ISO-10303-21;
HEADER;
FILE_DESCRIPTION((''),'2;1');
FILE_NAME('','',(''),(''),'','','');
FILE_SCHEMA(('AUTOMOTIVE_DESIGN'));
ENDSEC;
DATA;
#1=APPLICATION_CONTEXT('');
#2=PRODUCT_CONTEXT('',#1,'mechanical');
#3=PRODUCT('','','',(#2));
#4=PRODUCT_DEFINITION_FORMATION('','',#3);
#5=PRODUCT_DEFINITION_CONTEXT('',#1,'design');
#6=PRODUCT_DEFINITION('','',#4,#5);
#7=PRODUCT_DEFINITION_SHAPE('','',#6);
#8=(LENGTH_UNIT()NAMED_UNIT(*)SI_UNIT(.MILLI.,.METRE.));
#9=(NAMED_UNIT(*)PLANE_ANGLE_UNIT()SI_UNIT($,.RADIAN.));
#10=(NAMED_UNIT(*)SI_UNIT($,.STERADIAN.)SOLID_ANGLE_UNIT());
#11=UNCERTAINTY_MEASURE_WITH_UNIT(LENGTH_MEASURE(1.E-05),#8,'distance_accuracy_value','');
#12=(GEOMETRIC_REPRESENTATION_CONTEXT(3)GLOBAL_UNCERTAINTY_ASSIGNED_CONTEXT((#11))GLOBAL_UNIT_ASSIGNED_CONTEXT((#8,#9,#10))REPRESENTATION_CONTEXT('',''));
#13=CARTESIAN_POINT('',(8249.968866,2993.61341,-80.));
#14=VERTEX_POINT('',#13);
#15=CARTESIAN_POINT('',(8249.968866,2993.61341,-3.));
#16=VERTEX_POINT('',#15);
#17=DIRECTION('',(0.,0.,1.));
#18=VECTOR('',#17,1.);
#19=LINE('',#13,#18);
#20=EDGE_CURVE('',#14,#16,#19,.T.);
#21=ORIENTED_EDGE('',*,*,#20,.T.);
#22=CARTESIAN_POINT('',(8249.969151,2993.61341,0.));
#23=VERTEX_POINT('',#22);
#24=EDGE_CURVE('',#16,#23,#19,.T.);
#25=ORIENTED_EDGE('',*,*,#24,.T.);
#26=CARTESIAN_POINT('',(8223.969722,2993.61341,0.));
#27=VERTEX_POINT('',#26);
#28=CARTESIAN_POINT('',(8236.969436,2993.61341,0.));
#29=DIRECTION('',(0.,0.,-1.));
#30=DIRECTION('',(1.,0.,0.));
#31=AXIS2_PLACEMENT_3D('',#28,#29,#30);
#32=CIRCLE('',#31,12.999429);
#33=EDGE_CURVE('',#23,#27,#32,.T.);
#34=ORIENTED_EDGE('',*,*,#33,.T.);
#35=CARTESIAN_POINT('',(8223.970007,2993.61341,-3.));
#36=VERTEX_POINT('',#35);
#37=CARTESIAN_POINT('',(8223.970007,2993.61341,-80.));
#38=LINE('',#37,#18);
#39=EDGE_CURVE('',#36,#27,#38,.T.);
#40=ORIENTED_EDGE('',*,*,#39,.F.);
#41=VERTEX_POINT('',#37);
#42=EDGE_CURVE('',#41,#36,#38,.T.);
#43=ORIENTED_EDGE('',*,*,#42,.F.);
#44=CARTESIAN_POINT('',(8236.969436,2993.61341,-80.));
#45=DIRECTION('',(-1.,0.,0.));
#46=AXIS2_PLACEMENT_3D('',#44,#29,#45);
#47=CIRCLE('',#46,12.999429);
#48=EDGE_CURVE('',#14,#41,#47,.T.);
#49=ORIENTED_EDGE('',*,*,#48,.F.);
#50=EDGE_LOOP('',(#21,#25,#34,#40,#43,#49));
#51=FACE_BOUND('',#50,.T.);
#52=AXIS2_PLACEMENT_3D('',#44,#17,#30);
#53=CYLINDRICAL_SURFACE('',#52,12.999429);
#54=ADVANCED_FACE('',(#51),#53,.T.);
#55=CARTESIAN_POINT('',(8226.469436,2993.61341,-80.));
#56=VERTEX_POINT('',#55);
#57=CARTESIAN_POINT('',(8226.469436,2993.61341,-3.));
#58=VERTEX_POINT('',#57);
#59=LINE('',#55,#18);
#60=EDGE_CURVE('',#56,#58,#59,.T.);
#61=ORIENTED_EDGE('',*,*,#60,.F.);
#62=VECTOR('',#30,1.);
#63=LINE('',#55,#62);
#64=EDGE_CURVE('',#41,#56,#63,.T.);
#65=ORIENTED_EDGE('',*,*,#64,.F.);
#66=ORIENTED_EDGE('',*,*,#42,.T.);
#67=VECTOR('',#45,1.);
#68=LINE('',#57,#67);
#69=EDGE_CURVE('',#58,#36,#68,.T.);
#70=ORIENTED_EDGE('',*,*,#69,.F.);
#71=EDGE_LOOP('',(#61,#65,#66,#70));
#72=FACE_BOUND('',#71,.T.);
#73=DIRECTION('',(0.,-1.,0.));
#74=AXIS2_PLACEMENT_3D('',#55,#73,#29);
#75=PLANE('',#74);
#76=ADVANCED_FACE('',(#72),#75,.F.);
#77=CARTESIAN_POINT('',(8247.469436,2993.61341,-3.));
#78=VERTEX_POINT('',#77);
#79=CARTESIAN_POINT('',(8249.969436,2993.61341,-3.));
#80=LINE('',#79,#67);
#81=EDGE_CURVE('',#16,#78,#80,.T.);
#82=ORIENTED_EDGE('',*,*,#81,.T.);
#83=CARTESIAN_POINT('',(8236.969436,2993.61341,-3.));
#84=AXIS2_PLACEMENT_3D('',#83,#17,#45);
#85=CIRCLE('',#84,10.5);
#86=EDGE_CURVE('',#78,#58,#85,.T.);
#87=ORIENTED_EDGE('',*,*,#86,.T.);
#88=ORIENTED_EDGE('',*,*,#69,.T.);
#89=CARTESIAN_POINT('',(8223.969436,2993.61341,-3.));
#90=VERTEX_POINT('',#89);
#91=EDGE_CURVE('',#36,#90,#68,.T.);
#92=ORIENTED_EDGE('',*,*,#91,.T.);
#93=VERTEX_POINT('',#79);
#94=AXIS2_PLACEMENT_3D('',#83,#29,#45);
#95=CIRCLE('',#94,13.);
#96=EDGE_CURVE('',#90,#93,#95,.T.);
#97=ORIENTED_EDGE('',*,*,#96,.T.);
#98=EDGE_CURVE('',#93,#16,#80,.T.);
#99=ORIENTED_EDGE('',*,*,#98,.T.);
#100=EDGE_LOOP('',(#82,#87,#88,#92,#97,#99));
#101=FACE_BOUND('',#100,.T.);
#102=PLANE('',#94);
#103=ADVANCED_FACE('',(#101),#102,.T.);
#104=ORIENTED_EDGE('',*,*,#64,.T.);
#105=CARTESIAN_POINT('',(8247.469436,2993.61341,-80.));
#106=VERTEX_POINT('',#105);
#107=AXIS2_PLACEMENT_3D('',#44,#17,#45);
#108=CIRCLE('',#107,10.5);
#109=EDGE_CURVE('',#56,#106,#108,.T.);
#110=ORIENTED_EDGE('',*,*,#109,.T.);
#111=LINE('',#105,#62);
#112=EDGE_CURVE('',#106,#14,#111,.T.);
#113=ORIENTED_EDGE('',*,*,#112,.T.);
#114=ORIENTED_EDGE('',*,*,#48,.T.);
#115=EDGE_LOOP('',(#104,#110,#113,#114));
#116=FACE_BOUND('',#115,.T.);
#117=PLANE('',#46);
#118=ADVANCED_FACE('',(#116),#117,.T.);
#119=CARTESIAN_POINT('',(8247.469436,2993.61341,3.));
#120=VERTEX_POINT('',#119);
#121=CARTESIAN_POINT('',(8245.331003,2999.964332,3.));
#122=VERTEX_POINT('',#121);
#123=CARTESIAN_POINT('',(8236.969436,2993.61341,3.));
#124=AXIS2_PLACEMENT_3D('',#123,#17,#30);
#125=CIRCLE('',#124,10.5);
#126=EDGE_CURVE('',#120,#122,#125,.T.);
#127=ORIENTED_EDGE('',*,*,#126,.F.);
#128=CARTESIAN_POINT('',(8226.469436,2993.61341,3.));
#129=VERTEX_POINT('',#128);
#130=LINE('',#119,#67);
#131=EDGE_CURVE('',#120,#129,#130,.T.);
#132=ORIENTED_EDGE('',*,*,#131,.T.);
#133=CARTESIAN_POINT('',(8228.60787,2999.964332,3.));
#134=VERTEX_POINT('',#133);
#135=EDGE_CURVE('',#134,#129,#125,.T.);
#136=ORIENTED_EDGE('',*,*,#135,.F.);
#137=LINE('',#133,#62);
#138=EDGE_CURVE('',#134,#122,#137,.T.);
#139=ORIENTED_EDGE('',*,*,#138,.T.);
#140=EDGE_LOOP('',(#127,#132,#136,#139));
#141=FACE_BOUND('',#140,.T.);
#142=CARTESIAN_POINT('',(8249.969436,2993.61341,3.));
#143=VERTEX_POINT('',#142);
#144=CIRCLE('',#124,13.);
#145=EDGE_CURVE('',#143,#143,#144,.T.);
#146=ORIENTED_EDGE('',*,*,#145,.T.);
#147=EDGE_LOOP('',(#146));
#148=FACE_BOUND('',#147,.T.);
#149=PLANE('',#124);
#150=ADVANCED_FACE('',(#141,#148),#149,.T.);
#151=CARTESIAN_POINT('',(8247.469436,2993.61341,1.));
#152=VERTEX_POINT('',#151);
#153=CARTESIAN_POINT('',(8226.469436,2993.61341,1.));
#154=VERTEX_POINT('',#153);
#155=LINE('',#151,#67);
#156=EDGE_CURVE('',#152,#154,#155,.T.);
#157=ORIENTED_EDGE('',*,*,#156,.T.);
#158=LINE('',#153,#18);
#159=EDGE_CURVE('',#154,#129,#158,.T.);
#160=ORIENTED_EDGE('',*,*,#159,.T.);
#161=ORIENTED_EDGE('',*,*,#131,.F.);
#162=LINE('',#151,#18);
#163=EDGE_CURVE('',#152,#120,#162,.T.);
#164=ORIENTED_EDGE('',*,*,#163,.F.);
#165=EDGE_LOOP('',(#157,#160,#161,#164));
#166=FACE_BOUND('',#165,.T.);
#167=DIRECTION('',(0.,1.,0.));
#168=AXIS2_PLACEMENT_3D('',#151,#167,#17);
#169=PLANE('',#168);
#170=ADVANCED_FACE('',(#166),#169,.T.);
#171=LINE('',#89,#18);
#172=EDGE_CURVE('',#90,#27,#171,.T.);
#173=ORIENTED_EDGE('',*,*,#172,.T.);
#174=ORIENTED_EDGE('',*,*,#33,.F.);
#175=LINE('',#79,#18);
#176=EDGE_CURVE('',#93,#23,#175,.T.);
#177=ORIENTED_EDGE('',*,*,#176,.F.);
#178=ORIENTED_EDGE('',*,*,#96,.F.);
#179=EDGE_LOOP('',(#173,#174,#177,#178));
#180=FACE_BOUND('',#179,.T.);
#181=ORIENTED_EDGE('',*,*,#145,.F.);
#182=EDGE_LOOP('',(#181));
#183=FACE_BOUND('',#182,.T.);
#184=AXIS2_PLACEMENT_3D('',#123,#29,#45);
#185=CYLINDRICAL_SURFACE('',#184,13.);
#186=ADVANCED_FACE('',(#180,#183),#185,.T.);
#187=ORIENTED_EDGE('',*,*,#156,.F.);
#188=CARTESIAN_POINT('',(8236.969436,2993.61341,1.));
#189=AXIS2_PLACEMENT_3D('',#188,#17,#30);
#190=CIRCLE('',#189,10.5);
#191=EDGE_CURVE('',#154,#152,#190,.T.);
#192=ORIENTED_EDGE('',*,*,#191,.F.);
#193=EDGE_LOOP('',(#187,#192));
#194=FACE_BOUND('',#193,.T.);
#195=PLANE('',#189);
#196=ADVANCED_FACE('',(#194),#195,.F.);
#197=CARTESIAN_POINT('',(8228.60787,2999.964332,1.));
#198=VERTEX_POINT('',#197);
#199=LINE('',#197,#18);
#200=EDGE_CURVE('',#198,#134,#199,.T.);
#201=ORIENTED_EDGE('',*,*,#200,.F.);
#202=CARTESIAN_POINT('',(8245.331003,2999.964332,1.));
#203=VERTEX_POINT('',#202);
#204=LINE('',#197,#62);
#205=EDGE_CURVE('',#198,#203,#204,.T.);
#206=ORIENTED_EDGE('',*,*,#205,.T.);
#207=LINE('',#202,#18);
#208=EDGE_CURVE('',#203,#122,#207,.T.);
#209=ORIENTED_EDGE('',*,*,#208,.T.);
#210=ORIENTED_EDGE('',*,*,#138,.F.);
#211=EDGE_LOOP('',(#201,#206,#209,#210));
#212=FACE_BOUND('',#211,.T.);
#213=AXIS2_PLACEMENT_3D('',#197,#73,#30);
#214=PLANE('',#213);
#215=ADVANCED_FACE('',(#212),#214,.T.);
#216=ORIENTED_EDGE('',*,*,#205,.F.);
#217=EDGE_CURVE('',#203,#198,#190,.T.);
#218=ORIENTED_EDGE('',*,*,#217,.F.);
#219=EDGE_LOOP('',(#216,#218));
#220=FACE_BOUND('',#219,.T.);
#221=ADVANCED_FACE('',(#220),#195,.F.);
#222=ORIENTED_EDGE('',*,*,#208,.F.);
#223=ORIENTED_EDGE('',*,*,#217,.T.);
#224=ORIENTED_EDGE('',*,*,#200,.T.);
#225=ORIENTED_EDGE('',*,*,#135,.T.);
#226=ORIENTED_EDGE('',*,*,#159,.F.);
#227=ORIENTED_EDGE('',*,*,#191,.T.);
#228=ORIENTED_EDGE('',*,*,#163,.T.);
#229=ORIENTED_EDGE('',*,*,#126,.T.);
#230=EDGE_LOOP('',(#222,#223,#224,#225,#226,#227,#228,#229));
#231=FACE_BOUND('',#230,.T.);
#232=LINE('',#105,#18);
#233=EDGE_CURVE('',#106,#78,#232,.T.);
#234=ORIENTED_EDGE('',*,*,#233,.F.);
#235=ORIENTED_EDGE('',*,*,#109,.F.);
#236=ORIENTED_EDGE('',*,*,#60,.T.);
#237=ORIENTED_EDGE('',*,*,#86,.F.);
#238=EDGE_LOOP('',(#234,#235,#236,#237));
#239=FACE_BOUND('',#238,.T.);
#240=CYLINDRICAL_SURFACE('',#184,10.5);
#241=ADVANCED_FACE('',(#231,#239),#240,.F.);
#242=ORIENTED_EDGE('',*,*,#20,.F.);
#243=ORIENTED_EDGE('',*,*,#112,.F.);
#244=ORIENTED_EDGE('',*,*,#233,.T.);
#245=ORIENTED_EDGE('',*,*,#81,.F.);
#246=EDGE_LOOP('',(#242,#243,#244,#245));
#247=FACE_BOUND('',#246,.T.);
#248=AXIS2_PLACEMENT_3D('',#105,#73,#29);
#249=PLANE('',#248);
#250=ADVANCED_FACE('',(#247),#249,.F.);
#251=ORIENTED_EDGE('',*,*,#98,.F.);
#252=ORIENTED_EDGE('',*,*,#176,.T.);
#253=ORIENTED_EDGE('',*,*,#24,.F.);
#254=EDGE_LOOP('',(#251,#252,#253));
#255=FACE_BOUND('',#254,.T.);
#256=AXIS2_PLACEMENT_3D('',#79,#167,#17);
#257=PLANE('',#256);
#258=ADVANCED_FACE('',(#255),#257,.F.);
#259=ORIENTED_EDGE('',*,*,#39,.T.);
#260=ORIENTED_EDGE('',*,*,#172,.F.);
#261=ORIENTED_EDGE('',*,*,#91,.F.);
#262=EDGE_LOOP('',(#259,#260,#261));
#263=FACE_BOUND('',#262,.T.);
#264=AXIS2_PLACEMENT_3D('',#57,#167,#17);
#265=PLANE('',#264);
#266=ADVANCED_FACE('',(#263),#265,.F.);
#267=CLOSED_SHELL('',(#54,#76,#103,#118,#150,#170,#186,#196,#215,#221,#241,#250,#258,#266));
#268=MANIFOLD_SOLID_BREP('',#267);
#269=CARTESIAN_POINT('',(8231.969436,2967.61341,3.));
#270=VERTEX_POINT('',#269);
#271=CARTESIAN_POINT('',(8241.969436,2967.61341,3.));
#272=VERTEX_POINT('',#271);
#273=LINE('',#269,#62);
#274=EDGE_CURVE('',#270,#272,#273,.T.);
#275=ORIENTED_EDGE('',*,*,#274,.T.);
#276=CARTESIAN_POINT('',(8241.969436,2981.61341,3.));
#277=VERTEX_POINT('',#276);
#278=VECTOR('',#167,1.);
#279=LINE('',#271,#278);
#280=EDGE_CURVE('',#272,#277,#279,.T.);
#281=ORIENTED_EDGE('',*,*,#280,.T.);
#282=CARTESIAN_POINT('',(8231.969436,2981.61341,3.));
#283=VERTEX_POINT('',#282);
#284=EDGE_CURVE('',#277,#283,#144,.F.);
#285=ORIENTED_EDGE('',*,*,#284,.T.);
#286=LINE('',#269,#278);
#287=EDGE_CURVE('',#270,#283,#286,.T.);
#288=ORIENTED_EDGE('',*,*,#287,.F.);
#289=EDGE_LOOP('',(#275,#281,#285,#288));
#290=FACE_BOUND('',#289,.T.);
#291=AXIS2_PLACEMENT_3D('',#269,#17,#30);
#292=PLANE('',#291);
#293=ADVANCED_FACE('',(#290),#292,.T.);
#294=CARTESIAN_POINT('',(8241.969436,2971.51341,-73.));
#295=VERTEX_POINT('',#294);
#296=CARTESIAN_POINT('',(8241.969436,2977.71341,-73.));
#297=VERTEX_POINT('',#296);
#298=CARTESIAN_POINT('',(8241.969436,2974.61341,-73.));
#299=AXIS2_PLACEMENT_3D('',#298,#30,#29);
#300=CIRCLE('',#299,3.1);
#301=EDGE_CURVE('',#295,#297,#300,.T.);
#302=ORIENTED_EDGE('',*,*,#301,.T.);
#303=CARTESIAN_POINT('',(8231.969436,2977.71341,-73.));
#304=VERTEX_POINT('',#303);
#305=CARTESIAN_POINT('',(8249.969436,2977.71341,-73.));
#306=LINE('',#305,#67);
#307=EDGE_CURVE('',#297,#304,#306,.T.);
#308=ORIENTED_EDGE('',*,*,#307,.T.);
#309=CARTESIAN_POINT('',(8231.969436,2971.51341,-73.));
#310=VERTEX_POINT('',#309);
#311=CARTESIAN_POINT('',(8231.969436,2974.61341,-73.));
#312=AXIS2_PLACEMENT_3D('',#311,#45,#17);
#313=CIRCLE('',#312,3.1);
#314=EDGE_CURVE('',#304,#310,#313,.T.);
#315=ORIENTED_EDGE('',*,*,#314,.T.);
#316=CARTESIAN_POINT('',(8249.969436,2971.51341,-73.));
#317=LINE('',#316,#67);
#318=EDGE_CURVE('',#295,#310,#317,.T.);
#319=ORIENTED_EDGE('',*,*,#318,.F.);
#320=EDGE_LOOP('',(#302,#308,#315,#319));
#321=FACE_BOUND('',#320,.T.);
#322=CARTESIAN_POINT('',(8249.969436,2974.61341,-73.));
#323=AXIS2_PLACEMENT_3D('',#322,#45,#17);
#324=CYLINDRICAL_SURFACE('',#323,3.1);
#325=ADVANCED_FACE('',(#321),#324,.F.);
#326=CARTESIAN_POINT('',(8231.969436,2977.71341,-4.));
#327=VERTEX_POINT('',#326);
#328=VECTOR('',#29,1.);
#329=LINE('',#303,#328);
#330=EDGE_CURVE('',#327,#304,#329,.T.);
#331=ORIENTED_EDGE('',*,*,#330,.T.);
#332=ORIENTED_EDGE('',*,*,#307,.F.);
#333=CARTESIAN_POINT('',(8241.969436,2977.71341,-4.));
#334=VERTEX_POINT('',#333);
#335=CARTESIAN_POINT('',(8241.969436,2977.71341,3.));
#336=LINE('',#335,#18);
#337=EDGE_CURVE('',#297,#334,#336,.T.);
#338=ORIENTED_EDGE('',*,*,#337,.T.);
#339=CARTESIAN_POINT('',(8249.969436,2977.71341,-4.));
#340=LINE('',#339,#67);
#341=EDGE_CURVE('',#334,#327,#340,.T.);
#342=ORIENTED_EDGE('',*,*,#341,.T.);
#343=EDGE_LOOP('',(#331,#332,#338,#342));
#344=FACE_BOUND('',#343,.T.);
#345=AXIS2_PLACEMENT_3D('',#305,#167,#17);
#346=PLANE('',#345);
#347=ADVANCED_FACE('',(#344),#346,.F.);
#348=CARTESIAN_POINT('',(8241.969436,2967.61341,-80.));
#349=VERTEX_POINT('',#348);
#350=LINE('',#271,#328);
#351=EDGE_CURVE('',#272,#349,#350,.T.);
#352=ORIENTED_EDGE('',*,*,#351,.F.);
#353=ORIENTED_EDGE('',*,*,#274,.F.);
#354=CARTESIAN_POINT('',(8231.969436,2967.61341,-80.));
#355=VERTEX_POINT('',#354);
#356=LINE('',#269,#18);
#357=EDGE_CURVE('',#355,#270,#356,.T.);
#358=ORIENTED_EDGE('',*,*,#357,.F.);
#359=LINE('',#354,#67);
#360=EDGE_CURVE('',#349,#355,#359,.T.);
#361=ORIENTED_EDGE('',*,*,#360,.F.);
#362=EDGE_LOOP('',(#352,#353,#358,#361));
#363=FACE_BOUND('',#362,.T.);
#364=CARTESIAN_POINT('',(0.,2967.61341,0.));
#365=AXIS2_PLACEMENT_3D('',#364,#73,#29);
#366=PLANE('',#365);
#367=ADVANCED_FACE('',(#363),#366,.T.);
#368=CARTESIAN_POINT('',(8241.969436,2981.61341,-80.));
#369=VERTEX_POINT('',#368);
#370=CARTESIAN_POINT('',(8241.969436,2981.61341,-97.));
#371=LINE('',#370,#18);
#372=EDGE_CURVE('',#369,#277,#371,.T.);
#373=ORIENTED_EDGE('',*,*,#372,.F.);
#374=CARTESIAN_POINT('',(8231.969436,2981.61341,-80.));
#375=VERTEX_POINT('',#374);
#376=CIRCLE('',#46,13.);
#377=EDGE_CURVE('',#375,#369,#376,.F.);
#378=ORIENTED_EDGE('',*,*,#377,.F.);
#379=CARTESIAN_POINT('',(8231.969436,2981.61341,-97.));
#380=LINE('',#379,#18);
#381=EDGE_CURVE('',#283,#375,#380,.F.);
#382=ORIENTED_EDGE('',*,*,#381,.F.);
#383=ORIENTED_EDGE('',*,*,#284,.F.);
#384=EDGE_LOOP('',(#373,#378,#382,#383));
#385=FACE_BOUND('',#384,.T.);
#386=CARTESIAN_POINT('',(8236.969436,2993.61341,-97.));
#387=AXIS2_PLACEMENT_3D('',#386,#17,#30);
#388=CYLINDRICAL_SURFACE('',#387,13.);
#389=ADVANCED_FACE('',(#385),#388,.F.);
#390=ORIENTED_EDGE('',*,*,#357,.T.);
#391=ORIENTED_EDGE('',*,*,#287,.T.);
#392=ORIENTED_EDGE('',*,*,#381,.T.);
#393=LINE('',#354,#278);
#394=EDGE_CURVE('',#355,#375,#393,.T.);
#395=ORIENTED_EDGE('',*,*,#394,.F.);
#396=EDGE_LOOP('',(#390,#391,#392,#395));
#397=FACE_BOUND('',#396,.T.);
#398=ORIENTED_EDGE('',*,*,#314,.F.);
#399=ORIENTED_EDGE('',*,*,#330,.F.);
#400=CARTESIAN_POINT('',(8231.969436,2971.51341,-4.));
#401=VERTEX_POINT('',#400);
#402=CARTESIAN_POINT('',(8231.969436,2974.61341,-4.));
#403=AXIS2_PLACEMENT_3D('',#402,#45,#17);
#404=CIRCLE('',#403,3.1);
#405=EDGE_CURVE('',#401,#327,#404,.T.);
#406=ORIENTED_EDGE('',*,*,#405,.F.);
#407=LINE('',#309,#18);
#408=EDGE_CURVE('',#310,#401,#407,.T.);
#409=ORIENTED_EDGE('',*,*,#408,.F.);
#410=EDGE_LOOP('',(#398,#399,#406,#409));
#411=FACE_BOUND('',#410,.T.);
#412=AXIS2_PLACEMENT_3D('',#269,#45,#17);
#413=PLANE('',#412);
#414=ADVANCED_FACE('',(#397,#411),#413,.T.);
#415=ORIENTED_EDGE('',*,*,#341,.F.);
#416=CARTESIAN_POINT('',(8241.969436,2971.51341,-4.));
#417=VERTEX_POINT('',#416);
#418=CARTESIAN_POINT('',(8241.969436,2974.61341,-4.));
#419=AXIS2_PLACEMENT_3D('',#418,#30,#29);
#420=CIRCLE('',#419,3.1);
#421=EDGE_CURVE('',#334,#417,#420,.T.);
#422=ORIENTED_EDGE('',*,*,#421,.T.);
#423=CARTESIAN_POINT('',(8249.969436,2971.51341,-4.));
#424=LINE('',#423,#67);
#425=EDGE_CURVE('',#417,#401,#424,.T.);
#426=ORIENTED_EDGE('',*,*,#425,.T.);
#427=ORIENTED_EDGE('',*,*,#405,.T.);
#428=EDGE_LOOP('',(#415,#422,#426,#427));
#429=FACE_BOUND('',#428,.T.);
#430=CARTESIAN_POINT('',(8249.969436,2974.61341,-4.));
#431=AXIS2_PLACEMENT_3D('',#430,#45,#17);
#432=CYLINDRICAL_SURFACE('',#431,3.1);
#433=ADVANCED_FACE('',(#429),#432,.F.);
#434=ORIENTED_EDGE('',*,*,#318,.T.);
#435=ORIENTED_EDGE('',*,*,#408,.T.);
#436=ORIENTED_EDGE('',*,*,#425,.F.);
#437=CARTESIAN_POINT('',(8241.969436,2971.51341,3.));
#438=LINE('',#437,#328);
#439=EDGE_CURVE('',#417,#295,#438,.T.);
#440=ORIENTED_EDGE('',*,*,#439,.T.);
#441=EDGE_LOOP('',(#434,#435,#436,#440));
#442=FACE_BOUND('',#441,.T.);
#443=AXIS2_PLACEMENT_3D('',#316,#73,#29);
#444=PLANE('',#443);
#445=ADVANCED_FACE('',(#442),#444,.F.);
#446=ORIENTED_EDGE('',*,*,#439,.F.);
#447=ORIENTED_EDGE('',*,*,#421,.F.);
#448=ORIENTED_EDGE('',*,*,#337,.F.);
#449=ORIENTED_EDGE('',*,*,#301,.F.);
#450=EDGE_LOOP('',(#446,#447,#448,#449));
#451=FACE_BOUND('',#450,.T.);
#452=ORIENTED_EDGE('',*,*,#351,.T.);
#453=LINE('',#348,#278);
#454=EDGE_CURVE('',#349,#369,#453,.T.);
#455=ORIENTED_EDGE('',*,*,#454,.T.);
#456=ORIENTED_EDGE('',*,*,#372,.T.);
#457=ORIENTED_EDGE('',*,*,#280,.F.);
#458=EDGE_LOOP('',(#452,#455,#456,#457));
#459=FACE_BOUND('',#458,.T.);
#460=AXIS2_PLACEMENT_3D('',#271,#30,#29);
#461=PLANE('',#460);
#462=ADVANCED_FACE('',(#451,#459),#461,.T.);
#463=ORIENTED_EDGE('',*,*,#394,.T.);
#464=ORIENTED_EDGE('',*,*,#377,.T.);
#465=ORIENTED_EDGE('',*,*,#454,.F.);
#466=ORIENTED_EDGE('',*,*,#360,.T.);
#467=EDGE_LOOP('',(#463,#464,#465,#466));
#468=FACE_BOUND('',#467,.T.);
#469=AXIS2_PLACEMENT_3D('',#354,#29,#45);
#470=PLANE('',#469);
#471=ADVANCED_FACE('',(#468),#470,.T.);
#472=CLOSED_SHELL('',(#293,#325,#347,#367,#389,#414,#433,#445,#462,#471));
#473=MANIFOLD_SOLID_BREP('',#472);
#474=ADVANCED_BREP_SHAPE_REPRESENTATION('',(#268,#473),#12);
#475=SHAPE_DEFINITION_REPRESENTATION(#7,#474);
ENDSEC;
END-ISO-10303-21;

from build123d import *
from build123d.topology import SkipClean

# Parameters (mm, degrees)
SKETCH_2_R       = 13
SKETCH_2_R_2     = 10.5
EXTRUDE_1_DEPTH  = 3
EXTRUDE_START    = -2
EXTRUDE_3_DEPTH  = 2
EXTRUDE_START_2  = 80
EXTRUDE_5_DEPTH  = 80
EXTRUDE_START_3  = 3
EXTRUDE_6_DEPTH  = 3
SKETCH_7_W       = 10
SKETCH_7_H       = 83
EXTRUDE_8_DEPTH  = 26
EXTRUDE_9_DEPTH  = 18
SKETCH_9_R       = 13
EXTRUDE_10_DEPTH = 94


with BuildPart() as part:
    # 草图2 → 凸台-拉伸1 (new body)
    with BuildSketch(Plane.XY):
        with Locations((8236.969436473, 2993.613410171)):
            Circle(SKETCH_2_R)
        with Locations((8236.969436473, 2993.613410171)):
            Circle(SKETCH_2_R_2, mode=Mode.SUBTRACT)
    extrude(amount=EXTRUDE_1_DEPTH)

    # 草图3 → 凸台-拉伸3 (add)
    with BuildSketch(Plane.XY.offset(3).offset(EXTRUDE_START)):
        with BuildLine():
            Line((8247.469436473, 2993.613410171), (8226.469436473, 2993.613410171))
            ThreePointArc((8226.469436473, 2993.613410171), (8236.969436473, 2983.113410171), (8247.469436473, 2993.613410171))
        make_face()
        with BuildLine():
            Line((8228.607869965, 2999.9643318), (8245.331002981, 2999.9643318))
            ThreePointArc((8245.331002981, 2999.9643318), (8236.969436473, 3004.113410171), (8228.607869965, 2999.9643318))
        make_face()
    extrude(amount=EXTRUDE_3_DEPTH)

    # 草图5 → 凸台-拉伸5 (add)
    with BuildSketch(Plane(origin=(0, 0, 0), x_dir=(-1, 0, 0), z_dir=(0, 0, -1)).offset(EXTRUDE_START_2)):
        with BuildLine():
            Line((-8247.469436473, 2993.613410171), (-8249.968865573, 2993.613410171))
            ThreePointArc((-8249.968865573, 2993.613410171), (-8236.969436473, 2980.61398107), (-8223.970007373, 2993.613410171))
            Line((-8223.970007373, 2993.613410171), (-8226.469436473, 2993.613410171))
            ThreePointArc((-8226.469436473, 2993.613410171), (-8236.969436473, 2983.113410171), (-8247.469436473, 2993.613410171))
        make_face()
    extrude(amount=-EXTRUDE_5_DEPTH)

    # 草图6 → 凸台-拉伸6 (add)
    with SkipClean():  # the faces are left unmerged after this step: merging them gives an invalid solid
        with BuildSketch(Plane(origin=(0, 0, 0), x_dir=(-1, 0, 0), z_dir=(0, 0, -1)).offset(EXTRUDE_START_3)):
            with BuildLine():
                Line((-8249.969436473, 2993.613410171), (-8247.469436473, 2993.613410171))
                ThreePointArc((-8247.469436473, 2993.613410171), (-8236.969436473, 3004.113410171), (-8226.469436473, 2993.613410171))
                Line((-8226.469436473, 2993.613410171), (-8223.969436473, 2993.613410171))
                ThreePointArc((-8223.969436473, 2993.613410171), (-8236.969436473, 3006.613410171), (-8249.969436473, 2993.613410171))
            make_face()
        extrude(amount=-EXTRUDE_6_DEPTH)


with BuildPart() as body_2:
    # 草图7 → 凸台-拉伸8 (new body)
    with BuildSketch(Plane(origin=(0, 2993.613410171, 0), x_dir=(1, 0, 0), z_dir=(0, 1, 0))):
        with Locations((8236.969436473, 38.5)):
            Rectangle(SKETCH_7_W, SKETCH_7_H)
    extrude(amount=-EXTRUDE_8_DEPTH)


with BuildPart() as body_3:
    # 草图8 → 凸台-拉伸9 (new body)
    with BuildSketch(Plane.ZY.offset(-8231.969436473)):
        with BuildLine():
            Line((-73, 2977.713410171), (-4, 2977.713410171))
            ThreePointArc((-4, 2977.713410171), (-0.9, 2974.613410171), (-4, 2971.513410171))
            Line((-4, 2971.513410171), (-73, 2971.513410171))
            ThreePointArc((-73, 2971.513410171), (-76.1, 2974.613410171), (-73, 2977.713410171))
        make_face()
    extrude(amount=-EXTRUDE_9_DEPTH)


with BuildPart() as body_2_1:
    add(body_2.part)

    # Combine 1: cut body 3
    add(body_3.part, mode=Mode.SUBTRACT)


with BuildPart() as body_3_2:
    # 草图9 → 凸台-拉伸10 (new, symmetric)
    with BuildSketch(Plane(origin=(0, 0, -3), x_dir=(-1, 0, 0), z_dir=(0, 0, -1))):
        with Locations((-8236.969436473, 2993.613410171)):
            Circle(SKETCH_9_R)
    extrude(amount=EXTRUDE_10_DEPTH, both=True)


with BuildPart() as body_2_2:
    add(body_2_1.part)

    # Combine 2: cut body 3 2
    add(body_3_2.part, mode=Mode.SUBTRACT)


solid = Compound([part.part, body_2_2.part])
